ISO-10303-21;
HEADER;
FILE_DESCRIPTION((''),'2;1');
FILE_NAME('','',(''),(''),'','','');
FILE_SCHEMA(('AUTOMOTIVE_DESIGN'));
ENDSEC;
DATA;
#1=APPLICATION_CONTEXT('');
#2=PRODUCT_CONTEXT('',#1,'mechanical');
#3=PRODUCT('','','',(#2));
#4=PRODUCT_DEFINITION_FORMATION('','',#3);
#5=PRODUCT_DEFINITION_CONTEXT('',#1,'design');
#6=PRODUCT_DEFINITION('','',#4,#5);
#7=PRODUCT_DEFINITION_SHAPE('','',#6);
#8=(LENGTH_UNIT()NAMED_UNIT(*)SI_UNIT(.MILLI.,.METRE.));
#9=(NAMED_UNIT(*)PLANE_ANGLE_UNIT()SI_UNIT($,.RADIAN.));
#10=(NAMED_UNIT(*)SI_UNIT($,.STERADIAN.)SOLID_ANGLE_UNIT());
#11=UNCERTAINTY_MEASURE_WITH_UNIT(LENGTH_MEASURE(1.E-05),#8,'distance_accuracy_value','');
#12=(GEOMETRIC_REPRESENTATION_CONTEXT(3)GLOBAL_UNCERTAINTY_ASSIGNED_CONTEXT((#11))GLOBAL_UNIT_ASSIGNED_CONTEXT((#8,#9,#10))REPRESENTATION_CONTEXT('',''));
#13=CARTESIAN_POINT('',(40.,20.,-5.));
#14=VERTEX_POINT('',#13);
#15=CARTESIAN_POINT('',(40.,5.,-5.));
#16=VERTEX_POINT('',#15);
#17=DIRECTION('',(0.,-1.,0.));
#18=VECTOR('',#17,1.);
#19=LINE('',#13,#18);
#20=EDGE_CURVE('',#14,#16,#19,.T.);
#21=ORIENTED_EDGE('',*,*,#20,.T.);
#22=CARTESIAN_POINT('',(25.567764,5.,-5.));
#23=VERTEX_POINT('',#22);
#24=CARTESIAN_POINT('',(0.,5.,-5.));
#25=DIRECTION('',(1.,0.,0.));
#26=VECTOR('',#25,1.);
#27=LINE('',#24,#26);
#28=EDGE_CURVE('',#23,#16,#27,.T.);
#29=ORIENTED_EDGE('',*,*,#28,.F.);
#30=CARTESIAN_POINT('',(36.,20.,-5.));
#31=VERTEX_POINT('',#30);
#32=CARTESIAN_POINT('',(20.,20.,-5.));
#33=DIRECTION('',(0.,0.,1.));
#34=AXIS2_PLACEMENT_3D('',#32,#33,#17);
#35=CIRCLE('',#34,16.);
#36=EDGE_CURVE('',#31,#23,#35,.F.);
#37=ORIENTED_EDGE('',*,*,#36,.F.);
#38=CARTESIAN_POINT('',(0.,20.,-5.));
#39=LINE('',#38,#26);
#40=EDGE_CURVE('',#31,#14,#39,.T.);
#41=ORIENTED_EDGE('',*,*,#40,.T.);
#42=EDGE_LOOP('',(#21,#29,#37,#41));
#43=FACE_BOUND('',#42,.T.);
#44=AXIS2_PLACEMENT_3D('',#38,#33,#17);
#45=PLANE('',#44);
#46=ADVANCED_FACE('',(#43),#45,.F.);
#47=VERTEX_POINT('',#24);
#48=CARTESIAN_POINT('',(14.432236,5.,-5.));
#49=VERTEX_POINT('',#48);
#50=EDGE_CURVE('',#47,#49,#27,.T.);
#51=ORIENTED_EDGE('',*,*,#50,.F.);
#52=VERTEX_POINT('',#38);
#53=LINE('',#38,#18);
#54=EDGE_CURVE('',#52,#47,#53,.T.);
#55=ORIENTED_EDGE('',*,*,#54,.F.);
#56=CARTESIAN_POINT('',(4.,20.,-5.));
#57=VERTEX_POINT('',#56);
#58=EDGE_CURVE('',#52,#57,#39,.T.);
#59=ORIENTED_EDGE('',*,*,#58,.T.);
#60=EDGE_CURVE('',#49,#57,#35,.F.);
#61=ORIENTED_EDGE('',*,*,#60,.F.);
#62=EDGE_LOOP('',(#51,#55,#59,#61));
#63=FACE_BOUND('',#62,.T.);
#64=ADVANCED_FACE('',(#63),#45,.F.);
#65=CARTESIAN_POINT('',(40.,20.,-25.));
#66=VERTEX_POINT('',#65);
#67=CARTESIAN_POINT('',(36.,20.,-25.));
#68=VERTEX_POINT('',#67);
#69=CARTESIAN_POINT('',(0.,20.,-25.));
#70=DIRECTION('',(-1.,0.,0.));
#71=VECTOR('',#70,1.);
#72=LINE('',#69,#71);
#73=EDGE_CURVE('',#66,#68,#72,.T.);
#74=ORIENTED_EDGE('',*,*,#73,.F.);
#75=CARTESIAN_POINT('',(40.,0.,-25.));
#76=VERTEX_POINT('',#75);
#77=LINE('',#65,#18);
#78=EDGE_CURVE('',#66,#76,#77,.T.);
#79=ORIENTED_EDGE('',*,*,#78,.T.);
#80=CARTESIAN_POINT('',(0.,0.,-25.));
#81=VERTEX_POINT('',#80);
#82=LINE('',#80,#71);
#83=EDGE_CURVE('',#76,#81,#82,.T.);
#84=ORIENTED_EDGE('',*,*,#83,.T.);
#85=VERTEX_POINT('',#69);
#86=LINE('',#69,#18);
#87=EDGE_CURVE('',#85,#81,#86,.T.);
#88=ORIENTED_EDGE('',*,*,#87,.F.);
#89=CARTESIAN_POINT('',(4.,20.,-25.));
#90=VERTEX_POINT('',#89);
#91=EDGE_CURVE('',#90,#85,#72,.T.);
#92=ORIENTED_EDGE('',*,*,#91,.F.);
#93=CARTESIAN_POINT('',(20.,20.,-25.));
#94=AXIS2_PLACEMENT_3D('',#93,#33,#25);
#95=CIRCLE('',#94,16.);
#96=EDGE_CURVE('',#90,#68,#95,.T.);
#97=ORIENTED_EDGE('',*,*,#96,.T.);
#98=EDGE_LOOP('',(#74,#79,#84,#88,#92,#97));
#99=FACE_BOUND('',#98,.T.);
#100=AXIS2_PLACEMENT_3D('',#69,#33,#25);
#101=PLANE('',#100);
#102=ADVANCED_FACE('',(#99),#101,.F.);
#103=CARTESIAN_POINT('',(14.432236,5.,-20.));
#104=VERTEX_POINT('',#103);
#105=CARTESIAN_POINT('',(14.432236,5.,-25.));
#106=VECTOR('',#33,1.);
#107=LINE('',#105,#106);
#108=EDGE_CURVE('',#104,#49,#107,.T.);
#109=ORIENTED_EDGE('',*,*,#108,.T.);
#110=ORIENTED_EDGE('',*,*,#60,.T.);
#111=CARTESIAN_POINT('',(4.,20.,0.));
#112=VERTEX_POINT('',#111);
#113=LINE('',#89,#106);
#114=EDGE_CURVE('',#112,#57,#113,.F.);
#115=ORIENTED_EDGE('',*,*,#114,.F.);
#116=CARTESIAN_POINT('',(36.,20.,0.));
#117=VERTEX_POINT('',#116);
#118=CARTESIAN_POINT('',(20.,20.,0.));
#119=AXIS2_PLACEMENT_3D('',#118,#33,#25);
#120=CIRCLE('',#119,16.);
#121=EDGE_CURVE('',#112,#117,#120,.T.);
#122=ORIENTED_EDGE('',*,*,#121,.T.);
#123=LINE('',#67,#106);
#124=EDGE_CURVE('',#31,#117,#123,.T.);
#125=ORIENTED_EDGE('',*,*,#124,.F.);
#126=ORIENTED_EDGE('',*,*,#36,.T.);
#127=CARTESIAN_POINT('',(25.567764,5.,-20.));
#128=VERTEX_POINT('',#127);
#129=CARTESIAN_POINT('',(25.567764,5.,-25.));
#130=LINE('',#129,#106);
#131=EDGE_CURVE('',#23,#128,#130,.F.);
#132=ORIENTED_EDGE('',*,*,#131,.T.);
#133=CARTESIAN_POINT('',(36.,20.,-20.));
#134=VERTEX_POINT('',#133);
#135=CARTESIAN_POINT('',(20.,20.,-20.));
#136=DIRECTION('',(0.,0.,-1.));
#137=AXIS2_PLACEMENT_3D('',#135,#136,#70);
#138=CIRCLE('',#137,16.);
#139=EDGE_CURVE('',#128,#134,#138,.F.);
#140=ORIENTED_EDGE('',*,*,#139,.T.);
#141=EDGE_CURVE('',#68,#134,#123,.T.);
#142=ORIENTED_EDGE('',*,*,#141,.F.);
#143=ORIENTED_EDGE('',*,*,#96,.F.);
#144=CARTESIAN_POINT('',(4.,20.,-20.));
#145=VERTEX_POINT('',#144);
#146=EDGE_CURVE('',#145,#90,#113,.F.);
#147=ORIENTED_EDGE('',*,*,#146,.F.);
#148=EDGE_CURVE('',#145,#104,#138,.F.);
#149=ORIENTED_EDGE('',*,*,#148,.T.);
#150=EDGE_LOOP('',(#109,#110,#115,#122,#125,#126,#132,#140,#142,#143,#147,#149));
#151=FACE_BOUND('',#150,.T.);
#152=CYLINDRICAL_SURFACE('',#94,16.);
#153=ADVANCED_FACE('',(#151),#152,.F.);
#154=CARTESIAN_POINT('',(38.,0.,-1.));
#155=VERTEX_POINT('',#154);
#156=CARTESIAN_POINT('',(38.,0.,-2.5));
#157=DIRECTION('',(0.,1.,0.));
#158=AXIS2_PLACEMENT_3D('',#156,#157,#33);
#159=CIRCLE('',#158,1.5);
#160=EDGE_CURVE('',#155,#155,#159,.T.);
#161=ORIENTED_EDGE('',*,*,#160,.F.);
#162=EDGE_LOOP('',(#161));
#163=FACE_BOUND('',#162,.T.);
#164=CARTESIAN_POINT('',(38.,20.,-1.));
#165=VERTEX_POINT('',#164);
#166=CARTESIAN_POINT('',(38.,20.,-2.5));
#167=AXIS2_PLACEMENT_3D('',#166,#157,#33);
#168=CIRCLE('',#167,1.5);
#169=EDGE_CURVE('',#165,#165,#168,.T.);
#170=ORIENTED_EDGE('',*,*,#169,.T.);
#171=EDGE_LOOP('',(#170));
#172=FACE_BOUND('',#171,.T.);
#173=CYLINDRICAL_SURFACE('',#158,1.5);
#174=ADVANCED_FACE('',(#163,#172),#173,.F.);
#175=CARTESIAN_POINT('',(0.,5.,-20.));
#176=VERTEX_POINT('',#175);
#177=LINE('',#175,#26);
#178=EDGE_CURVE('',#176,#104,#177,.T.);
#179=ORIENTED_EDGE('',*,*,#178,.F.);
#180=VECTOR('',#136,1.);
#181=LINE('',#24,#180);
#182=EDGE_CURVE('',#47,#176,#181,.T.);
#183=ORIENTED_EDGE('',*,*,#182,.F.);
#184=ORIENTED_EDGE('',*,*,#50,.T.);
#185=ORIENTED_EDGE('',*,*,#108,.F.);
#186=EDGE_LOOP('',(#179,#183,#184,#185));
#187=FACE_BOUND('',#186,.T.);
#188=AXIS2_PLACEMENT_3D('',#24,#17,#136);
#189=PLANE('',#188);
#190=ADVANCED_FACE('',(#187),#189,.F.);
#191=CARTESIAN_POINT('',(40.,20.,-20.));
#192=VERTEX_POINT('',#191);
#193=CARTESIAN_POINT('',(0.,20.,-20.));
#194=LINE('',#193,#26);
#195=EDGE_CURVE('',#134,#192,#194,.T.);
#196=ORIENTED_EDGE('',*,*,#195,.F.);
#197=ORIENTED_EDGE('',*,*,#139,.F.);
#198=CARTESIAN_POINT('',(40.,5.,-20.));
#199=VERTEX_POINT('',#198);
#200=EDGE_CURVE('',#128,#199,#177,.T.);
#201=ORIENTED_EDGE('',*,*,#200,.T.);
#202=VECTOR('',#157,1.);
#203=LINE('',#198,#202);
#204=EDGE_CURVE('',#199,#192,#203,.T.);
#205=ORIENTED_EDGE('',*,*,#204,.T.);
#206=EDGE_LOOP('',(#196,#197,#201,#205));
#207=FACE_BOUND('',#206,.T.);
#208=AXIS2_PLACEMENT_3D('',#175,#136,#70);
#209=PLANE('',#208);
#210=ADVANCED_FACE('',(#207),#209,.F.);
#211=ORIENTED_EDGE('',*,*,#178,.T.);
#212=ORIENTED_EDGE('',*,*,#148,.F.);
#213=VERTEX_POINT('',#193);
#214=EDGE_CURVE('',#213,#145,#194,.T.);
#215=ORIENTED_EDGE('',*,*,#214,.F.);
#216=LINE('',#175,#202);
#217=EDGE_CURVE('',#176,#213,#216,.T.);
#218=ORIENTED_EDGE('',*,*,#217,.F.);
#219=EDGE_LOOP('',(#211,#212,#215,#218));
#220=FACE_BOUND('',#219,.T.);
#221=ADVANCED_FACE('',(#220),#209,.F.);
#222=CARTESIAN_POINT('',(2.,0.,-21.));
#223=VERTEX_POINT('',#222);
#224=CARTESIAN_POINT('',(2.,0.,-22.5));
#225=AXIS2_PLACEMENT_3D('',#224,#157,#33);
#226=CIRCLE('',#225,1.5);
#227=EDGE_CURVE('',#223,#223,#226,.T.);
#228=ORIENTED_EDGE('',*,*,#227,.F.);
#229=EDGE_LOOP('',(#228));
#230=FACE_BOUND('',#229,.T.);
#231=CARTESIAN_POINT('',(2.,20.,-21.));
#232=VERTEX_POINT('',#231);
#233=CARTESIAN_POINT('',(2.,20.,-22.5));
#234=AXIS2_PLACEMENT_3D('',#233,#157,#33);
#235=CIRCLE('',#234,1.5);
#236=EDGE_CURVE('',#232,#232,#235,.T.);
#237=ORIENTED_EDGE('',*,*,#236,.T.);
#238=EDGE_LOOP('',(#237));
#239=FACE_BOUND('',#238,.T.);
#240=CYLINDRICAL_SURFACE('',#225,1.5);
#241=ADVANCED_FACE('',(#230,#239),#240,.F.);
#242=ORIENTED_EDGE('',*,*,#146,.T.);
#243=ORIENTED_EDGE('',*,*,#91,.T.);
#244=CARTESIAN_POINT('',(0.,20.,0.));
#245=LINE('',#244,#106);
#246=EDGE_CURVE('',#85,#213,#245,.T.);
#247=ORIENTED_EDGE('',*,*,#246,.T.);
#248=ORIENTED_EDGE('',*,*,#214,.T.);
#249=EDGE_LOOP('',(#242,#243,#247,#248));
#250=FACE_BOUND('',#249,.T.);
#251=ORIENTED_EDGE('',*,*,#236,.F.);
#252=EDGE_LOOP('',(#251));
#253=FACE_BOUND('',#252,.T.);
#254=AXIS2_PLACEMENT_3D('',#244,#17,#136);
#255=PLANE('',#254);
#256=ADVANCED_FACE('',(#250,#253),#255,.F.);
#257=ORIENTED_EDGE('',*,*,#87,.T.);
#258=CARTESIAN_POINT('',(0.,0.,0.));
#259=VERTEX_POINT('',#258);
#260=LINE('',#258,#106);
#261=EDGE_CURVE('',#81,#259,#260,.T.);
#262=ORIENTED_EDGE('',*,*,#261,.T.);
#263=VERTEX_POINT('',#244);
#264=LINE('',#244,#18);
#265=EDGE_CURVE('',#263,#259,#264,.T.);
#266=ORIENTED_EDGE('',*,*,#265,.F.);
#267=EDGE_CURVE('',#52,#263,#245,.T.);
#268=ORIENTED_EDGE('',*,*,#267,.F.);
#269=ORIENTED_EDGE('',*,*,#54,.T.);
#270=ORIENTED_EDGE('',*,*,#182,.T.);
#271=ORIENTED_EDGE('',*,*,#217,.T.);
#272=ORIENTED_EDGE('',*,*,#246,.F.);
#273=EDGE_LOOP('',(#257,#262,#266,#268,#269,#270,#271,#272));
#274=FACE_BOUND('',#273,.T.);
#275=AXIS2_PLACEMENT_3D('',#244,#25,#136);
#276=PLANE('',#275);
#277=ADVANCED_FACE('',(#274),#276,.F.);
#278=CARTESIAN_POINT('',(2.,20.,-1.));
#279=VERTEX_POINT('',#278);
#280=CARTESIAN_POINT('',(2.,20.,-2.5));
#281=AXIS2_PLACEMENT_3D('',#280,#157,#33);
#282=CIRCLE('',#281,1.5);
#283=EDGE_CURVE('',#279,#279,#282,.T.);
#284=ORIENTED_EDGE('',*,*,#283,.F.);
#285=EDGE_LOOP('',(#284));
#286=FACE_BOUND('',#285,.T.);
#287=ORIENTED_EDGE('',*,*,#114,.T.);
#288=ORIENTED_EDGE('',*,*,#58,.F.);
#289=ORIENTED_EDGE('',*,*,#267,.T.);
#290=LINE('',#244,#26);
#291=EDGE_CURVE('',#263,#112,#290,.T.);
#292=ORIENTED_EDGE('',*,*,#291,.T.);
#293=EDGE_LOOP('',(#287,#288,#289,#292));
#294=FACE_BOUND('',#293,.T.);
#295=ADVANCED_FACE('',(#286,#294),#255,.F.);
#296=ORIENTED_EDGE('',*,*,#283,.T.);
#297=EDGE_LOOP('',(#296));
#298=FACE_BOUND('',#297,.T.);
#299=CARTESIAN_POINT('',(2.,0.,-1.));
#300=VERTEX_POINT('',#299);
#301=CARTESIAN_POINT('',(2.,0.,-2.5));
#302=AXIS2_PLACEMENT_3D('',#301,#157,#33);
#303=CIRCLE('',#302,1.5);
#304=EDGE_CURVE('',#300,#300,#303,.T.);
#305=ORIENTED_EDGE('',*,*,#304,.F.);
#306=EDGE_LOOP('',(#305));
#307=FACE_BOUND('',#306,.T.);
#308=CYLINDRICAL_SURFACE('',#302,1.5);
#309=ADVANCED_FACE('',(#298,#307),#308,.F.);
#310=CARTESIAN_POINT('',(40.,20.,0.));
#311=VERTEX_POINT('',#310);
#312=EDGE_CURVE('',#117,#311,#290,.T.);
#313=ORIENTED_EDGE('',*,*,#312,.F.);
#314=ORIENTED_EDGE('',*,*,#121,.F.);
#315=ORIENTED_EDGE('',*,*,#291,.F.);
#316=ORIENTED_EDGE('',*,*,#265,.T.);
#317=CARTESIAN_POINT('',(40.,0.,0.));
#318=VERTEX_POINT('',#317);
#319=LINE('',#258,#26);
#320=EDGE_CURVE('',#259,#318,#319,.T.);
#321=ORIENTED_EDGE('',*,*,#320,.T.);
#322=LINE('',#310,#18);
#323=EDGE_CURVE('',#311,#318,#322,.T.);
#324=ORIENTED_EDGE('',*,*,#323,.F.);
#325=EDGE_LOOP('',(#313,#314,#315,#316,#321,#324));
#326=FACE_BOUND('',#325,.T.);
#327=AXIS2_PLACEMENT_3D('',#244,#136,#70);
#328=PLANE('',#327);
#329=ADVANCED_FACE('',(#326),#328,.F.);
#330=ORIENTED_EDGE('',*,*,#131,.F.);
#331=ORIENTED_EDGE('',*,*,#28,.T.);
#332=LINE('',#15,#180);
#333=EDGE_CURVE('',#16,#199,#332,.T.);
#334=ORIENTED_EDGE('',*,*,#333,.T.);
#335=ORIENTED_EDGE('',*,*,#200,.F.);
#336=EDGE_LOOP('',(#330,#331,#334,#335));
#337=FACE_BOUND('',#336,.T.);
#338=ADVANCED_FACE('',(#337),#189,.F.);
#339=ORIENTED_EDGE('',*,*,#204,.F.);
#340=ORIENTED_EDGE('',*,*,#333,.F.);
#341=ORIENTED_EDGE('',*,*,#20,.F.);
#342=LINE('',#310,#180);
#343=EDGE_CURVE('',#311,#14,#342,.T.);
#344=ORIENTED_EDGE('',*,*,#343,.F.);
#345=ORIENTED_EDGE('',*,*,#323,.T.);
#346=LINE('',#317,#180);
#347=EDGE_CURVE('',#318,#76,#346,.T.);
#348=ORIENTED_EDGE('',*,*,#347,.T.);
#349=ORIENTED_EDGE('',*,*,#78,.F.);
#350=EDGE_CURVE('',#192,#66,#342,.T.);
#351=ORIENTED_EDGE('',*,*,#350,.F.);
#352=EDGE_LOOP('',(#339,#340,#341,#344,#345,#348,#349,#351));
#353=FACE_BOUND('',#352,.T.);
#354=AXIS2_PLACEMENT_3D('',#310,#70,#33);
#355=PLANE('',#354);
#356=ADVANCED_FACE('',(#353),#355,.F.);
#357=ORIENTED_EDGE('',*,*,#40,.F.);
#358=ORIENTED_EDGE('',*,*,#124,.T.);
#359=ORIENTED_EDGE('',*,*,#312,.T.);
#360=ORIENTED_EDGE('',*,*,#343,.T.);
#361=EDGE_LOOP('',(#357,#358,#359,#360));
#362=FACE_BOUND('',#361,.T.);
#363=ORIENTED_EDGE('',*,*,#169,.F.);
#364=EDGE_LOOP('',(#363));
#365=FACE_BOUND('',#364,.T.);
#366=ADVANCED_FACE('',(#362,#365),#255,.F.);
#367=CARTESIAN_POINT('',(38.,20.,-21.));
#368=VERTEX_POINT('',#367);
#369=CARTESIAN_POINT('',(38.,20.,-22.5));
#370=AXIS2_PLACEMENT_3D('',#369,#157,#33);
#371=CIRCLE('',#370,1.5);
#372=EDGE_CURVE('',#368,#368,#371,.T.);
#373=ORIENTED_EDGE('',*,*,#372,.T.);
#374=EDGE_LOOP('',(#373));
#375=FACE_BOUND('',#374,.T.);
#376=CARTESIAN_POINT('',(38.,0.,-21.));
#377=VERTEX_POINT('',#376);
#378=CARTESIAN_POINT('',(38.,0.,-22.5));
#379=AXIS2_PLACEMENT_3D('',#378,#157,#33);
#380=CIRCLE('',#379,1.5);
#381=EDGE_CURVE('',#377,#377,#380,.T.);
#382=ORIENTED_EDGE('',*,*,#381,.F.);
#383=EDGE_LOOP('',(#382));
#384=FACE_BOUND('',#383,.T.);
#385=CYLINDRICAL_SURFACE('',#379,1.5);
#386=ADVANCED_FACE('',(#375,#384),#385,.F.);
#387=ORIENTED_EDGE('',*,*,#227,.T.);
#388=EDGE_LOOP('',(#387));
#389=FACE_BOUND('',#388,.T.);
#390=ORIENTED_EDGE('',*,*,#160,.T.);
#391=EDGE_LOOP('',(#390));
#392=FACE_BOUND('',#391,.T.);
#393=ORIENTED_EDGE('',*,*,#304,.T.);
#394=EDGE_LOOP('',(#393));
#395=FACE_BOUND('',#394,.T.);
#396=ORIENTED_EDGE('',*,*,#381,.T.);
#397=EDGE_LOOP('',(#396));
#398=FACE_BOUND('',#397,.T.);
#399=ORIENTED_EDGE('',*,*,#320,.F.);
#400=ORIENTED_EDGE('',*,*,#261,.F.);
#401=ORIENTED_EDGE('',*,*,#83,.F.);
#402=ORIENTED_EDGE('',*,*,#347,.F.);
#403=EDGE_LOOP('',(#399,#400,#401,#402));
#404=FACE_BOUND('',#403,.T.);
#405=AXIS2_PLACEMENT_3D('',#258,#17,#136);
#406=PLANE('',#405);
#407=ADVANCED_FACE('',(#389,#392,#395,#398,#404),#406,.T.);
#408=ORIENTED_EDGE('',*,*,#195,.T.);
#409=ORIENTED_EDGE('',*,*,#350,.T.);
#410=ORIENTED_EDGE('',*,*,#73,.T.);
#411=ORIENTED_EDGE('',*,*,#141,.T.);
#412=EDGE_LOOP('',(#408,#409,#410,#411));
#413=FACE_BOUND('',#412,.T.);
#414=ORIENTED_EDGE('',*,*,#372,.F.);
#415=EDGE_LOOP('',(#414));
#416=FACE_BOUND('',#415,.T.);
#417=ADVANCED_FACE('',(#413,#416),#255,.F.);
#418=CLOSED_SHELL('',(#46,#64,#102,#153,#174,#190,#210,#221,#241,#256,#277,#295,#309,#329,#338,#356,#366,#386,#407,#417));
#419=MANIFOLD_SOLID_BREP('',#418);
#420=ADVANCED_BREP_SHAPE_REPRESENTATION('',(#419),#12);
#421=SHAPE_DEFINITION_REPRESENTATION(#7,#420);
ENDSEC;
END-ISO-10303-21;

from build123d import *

# Parameters (mm, degrees)
CROQUIS1_W              = 40
CROQUIS1_H              = 25
SALIENTE_EXTRUIR1_DEPTH = 20
CROQUIS2_R              = 16
CORTAR_EXTRUIR1_DEPTH   = 26
CROQUIS3_R              = 1.5
CORTAR_EXTRUIR2_DEPTH   = 21
CROQUIS4_W              = 15
CROQUIS4_H              = 15
CORTAR_EXTRUIR3_DEPTH   = 41


with BuildPart() as part:
    # Croquis1 → Saliente-Extruir1 (new body)
    with BuildSketch(Plane(origin=(0, 0, 0), x_dir=(1, 0, 0), z_dir=(0, 1, 0))):
        with Locations((20, 12.5)):
            Rectangle(CROQUIS1_W, CROQUIS1_H)
    extrude(amount=SALIENTE_EXTRUIR1_DEPTH)

    # Croquis2 → Cortar-Extruir1 (cut, through all)
    with BuildSketch(Plane.XY):
        with Locations((20, 20)):
            Circle(CROQUIS2_R)
    extrude(amount=-CORTAR_EXTRUIR1_DEPTH, mode=Mode.SUBTRACT)

    # Croquis3 → Cortar-Extruir2 (cut, through all)
    with BuildSketch(Plane(origin=(0, 20, 0), x_dir=(1, 0, 0), z_dir=(0, 1, 0))):
        with Locations((2, 2.5)):
            Circle(CROQUIS3_R)
        with Locations((2, 22.5)):
            Circle(CROQUIS3_R)
        with Locations((38, 2.5)):
            Circle(CROQUIS3_R)
        with Locations((38, 22.5)):
            Circle(CROQUIS3_R)
    extrude(amount=-CORTAR_EXTRUIR2_DEPTH, mode=Mode.SUBTRACT)

    # Croquis4 → Cortar-Extruir3 (cut, through all)
    with BuildSketch(Plane(origin=(40, 0, 0), x_dir=(0, 0, -1), z_dir=(1, 0, 0))):
        with Locations((12.5, 12.5)):
            Rectangle(CROQUIS4_W, CROQUIS4_H)
    extrude(amount=-CORTAR_EXTRUIR3_DEPTH, mode=Mode.SUBTRACT)


solid = part.part
